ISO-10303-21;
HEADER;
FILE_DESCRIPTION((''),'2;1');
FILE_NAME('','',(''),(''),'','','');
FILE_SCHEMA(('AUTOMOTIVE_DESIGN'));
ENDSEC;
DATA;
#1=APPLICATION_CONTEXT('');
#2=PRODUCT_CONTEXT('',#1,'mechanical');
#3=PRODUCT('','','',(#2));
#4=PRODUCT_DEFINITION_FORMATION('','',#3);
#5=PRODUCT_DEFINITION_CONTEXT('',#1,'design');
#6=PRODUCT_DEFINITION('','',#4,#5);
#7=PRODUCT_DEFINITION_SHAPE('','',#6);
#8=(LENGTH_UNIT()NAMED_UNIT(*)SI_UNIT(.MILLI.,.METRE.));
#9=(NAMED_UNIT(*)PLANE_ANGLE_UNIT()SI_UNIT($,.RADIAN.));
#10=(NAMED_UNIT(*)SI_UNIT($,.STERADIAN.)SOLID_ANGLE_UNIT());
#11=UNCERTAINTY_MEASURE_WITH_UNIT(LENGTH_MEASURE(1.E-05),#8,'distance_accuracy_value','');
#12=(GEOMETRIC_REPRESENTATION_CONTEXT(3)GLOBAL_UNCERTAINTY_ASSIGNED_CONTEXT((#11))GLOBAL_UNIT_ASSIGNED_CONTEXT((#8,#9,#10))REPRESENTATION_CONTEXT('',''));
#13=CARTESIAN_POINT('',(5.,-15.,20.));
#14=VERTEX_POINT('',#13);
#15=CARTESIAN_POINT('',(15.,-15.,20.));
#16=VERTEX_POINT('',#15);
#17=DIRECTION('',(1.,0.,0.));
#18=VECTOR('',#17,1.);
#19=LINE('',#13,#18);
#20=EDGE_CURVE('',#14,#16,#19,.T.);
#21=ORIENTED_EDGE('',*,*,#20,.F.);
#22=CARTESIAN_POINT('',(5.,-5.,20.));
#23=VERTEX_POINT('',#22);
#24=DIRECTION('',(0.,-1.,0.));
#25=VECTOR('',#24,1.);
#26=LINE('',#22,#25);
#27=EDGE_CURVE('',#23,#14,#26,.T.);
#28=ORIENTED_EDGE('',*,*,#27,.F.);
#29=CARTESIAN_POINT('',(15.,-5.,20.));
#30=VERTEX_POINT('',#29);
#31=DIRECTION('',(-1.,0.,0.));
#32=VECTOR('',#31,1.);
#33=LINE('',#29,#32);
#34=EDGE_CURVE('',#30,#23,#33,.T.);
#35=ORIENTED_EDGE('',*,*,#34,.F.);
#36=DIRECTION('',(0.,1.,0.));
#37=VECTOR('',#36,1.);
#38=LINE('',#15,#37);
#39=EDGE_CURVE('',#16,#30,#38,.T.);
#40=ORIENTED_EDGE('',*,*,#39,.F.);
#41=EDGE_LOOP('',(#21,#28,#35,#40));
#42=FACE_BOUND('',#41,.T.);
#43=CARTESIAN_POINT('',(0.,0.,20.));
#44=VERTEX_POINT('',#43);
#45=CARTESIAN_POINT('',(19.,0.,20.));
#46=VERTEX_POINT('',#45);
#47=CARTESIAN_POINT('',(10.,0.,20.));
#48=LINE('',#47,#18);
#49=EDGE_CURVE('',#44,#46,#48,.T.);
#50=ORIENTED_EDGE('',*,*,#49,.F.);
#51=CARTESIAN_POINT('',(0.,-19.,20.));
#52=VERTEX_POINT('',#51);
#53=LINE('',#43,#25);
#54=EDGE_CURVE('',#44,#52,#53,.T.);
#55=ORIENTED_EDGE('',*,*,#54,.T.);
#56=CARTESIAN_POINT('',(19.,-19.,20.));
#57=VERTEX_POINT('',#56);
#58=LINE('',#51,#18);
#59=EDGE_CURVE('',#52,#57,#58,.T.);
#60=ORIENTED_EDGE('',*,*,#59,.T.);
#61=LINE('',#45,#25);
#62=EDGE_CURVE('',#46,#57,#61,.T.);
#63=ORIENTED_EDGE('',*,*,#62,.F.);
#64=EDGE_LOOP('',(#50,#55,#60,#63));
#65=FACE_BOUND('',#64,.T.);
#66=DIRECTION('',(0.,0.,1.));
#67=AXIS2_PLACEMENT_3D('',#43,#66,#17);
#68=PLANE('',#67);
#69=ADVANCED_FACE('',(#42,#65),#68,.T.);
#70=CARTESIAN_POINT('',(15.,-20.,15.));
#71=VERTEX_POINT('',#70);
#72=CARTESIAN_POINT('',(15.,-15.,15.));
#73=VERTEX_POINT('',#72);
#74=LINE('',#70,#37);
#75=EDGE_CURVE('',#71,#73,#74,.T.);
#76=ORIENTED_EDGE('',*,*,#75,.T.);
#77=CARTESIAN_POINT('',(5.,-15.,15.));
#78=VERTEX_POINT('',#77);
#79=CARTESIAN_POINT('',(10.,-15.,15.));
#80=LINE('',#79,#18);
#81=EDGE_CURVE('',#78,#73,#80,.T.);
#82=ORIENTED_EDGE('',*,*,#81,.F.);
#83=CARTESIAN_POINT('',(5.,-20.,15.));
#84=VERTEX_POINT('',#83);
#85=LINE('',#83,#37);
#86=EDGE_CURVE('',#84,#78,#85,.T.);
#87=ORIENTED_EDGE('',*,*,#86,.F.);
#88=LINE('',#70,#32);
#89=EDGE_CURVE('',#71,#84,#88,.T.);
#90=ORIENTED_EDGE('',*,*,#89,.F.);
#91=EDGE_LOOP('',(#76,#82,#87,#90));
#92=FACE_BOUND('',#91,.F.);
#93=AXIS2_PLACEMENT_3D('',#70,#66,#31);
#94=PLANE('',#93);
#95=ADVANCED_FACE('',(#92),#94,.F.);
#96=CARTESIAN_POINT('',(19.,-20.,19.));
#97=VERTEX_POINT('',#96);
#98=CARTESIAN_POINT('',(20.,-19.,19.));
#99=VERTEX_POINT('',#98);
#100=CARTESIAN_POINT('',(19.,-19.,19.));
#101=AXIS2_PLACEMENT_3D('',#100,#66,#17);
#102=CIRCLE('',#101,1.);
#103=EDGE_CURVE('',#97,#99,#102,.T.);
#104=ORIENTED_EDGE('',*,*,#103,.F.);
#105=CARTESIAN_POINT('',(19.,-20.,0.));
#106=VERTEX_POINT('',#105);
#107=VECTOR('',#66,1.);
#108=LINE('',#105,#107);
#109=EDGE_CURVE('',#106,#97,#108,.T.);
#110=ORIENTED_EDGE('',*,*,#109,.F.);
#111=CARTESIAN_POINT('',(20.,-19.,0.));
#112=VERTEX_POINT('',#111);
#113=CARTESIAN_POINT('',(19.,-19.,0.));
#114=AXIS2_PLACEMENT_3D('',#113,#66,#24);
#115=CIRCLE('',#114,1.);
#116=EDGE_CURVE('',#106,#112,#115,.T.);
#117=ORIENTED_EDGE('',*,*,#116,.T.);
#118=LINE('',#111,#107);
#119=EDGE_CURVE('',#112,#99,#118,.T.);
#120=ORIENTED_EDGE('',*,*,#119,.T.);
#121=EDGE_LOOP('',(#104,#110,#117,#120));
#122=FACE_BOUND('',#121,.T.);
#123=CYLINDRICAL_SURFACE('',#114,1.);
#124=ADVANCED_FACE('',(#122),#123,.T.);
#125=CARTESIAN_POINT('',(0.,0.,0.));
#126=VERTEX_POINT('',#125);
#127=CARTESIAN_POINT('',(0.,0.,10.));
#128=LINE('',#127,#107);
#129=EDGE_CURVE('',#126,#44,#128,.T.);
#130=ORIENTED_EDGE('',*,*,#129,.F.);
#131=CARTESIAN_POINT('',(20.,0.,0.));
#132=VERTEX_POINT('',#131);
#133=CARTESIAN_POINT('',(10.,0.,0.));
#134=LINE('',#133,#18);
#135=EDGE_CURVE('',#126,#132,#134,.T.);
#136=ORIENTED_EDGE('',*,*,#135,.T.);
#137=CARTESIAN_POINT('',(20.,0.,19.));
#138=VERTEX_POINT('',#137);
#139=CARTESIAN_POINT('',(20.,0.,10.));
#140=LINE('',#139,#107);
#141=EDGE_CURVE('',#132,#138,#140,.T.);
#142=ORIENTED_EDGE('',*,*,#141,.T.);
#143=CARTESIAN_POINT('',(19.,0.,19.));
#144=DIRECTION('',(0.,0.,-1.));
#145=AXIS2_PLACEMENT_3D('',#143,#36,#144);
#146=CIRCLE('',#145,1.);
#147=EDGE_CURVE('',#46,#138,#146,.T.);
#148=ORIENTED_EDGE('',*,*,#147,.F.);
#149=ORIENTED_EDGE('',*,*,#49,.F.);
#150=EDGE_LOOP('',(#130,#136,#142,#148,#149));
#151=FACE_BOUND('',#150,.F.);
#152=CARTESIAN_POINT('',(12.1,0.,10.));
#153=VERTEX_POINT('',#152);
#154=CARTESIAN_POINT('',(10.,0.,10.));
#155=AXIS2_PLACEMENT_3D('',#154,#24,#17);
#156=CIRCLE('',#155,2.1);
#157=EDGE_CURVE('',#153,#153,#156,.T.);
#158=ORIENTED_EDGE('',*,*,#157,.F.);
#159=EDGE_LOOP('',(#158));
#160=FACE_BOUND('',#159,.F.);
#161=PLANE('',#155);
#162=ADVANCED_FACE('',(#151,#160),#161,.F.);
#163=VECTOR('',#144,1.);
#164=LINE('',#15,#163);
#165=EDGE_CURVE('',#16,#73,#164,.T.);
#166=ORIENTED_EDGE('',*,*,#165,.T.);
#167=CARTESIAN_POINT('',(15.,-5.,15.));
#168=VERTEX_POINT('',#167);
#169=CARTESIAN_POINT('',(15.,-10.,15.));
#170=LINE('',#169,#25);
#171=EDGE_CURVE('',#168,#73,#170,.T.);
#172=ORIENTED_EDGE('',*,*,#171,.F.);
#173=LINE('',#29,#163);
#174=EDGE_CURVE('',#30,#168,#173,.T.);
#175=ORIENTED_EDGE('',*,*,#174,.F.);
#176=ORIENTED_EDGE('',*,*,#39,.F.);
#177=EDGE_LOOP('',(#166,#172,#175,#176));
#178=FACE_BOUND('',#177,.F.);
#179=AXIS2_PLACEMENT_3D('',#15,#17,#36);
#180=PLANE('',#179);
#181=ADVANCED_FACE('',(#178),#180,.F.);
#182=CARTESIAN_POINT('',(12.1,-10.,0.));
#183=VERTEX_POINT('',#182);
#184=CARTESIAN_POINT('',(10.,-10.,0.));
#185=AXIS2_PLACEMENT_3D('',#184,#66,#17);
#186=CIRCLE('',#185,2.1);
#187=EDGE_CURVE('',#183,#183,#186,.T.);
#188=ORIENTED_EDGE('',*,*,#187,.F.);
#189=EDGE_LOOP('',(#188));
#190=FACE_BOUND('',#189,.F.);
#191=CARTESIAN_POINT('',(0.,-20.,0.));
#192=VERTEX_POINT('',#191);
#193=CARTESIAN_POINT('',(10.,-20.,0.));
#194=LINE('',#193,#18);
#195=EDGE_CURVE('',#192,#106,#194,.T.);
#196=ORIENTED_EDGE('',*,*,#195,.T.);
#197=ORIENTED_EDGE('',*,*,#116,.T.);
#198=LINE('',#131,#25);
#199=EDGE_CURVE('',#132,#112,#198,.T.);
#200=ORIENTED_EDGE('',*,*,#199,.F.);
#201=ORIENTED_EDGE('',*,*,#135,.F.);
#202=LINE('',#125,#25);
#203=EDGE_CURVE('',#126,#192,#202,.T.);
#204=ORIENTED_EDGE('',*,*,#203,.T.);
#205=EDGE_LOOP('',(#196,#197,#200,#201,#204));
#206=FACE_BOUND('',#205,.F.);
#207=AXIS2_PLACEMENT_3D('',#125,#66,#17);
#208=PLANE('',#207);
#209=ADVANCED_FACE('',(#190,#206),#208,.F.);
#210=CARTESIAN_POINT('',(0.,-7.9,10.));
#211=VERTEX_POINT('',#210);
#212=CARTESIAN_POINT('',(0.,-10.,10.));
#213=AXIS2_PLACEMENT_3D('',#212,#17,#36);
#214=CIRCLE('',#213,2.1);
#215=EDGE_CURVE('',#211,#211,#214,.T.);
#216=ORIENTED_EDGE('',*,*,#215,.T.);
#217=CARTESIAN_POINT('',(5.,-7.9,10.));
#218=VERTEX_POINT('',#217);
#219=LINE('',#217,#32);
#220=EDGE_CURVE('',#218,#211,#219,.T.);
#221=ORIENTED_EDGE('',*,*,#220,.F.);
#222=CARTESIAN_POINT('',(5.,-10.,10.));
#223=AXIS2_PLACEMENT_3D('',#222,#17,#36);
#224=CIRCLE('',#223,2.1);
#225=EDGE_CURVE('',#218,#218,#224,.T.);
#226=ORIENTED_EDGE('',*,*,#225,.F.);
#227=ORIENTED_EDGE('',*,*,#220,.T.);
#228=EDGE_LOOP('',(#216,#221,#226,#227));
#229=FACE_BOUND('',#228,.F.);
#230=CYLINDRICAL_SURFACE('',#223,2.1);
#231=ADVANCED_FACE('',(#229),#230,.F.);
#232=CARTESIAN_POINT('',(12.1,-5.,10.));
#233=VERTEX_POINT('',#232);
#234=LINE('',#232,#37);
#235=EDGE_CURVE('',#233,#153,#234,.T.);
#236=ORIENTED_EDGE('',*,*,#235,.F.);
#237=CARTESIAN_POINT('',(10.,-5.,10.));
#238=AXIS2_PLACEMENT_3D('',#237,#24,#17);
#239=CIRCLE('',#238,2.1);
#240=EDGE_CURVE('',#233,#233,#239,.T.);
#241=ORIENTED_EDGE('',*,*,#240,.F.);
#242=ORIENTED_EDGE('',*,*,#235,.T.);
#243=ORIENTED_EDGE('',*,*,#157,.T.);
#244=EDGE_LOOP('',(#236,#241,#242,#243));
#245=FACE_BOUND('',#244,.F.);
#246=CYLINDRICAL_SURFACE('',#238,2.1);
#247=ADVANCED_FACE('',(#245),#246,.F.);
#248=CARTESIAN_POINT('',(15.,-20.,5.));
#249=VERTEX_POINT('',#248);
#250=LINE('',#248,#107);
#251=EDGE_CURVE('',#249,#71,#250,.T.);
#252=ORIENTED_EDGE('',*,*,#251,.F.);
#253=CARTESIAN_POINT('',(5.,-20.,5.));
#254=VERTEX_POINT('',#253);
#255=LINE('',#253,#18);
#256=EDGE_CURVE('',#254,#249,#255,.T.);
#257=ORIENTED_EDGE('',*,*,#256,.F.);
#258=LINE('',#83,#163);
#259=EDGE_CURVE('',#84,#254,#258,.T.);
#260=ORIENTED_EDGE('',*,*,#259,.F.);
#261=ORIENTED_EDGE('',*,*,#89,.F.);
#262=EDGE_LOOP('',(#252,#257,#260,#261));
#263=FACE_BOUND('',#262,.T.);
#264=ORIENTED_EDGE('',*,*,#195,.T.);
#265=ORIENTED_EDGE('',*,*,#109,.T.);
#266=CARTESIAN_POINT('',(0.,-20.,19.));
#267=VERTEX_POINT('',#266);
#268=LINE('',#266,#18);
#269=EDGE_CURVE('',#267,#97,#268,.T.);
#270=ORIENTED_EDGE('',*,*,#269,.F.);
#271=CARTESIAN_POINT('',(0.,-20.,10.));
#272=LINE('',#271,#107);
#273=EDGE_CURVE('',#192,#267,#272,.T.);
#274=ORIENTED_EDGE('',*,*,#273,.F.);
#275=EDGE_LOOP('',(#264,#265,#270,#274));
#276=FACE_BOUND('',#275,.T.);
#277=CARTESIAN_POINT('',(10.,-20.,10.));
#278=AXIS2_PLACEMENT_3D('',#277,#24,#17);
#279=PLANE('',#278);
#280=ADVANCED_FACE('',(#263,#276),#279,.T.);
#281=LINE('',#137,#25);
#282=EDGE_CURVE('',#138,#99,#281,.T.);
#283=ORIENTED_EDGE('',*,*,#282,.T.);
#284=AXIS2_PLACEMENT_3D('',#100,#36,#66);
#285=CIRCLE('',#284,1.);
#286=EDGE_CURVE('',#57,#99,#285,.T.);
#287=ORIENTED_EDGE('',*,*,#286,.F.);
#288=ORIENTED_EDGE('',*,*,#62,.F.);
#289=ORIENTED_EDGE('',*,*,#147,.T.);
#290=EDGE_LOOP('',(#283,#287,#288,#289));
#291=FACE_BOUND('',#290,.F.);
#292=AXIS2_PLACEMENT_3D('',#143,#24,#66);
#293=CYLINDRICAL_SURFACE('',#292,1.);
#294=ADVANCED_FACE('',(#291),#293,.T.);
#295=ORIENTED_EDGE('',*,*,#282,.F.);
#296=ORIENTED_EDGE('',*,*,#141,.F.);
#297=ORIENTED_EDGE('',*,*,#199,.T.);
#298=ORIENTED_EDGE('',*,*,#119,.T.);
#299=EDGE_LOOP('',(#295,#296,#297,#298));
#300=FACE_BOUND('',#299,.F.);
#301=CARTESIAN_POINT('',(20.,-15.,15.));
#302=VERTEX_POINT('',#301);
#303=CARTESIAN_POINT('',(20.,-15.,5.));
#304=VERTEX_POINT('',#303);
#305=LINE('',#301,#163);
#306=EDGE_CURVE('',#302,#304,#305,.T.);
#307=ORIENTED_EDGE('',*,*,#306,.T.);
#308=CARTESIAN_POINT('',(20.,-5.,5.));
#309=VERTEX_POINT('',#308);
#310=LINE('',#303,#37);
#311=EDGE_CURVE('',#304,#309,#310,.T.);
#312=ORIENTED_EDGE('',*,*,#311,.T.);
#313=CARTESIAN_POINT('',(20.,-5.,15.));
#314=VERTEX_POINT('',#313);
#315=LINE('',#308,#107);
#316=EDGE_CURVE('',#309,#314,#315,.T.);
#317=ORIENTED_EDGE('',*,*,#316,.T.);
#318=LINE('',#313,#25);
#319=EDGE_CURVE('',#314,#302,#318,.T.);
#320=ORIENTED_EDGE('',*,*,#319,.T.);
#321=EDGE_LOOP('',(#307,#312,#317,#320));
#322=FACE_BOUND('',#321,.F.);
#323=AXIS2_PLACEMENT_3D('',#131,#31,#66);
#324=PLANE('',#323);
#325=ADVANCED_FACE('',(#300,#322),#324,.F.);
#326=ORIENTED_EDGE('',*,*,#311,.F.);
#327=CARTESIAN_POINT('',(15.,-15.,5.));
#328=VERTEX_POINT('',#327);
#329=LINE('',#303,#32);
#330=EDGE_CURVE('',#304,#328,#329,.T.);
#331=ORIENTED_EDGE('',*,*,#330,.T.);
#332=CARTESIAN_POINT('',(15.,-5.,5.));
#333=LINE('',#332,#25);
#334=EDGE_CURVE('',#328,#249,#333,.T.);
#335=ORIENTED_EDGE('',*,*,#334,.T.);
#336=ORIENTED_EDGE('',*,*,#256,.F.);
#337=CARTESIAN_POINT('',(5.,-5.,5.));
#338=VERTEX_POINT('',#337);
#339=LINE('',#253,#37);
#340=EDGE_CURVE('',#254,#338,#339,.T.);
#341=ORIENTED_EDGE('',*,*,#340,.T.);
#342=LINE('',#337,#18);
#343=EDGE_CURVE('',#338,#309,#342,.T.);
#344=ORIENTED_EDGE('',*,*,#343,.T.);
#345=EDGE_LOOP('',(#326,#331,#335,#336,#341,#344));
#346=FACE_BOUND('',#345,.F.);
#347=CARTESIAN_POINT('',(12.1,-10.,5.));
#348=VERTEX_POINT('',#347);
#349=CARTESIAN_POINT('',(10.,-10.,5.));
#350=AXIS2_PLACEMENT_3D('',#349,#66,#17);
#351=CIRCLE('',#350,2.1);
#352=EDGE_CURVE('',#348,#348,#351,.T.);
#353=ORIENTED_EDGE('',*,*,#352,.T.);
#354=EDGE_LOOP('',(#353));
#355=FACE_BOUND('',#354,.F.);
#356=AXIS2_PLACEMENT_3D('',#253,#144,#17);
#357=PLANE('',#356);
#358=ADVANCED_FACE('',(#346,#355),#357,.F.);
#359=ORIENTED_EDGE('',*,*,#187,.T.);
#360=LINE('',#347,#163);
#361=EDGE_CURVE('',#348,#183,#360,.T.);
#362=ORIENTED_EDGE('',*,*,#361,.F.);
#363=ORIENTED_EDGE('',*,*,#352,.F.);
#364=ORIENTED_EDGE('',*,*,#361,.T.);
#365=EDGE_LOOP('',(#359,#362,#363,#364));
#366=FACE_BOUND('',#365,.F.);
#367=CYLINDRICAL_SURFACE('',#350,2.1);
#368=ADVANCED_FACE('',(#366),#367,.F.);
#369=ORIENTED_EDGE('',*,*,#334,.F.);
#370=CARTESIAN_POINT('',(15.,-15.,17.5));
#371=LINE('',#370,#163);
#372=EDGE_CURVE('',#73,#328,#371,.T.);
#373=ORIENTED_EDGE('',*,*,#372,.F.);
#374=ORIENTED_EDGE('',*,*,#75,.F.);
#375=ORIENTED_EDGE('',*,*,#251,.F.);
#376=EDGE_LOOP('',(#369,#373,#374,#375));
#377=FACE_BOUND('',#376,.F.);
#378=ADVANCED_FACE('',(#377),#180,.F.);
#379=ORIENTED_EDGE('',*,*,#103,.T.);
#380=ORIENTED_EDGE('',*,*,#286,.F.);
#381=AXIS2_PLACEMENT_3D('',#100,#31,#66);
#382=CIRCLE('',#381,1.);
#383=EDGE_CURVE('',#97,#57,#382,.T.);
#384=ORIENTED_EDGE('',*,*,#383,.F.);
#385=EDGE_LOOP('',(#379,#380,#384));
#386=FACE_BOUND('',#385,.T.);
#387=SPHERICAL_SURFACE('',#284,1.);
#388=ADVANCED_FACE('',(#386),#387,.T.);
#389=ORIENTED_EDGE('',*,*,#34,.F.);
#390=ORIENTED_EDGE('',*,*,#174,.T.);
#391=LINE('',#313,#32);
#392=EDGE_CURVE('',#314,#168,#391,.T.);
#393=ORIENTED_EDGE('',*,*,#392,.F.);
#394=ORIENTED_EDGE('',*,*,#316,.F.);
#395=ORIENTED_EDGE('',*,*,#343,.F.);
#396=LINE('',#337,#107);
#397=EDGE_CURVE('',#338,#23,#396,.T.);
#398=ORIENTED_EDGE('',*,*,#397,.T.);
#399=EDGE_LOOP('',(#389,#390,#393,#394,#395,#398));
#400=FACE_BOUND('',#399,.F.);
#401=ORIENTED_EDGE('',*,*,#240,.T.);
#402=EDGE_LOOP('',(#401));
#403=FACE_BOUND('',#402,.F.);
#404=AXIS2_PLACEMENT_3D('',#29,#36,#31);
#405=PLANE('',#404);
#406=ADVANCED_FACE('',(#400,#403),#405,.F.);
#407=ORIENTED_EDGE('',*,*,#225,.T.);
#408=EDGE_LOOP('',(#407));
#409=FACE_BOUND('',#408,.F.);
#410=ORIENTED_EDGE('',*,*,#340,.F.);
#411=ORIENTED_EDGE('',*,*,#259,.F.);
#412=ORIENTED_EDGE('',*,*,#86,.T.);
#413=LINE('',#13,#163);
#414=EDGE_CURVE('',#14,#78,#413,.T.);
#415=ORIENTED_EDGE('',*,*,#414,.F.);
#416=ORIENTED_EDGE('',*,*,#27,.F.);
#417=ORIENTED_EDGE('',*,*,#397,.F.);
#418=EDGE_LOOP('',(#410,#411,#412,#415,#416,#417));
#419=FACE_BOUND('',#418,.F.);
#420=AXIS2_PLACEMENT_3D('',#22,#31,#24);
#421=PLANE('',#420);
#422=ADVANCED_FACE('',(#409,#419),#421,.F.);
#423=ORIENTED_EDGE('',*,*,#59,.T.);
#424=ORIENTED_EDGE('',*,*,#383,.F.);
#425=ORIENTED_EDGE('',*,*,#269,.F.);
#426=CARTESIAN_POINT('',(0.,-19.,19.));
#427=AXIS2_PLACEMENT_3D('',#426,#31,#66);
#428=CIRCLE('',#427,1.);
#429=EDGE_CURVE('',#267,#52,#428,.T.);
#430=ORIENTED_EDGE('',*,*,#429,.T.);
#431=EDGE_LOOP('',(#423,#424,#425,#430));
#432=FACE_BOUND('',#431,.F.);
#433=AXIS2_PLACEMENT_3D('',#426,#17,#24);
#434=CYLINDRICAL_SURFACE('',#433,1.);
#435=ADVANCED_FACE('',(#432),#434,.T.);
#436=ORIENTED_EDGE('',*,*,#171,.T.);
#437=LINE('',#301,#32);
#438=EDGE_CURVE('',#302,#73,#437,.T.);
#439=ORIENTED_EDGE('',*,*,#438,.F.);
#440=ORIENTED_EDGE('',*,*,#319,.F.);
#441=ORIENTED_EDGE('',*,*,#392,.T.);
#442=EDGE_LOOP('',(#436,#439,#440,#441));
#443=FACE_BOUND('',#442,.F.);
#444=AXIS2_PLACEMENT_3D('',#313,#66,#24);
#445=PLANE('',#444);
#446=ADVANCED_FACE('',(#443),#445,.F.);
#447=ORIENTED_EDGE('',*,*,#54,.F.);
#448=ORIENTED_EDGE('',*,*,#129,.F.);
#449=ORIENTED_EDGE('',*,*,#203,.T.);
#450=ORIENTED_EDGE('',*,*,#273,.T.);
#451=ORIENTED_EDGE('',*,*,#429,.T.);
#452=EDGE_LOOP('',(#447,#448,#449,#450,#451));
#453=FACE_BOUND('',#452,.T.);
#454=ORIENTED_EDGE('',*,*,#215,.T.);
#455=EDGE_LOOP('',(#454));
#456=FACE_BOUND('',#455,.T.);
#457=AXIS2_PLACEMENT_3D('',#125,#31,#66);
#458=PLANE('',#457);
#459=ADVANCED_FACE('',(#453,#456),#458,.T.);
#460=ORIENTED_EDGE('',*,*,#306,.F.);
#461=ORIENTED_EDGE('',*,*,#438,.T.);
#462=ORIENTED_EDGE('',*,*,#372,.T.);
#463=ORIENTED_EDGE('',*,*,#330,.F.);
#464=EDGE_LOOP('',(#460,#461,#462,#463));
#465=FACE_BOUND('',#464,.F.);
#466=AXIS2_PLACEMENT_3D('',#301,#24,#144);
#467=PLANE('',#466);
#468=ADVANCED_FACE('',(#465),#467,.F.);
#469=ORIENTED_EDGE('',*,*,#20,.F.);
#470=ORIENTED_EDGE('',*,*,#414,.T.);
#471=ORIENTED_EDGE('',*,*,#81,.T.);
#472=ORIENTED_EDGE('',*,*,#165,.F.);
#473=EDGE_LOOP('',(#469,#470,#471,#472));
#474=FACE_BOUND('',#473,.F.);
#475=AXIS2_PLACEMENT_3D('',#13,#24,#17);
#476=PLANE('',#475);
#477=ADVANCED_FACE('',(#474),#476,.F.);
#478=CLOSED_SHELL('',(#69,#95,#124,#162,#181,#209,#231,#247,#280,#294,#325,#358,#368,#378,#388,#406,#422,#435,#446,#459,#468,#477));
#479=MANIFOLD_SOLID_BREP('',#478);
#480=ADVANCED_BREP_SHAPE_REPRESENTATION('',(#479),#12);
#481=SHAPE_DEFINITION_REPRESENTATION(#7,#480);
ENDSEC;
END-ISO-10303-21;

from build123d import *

# Parameters (mm, degrees)
F0_W      = 20
F0_H      = 20
F1_DEPTH  = 20
F2_W      = 5
F2_H      = 5
F3_DEPTH  = 15
F4_R      = 2.1
F5_DEPTH  = 25
F6_W      = 5
F6_H      = 5
F7_DEPTH  = 15
F8_R      = 2.1
F9_DEPTH  = 25
F10_W     = 5
F10_H     = 5
F11_DEPTH = 15
F12_R     = 2.1
F13_DEPTH = 25
F14_R     = 1


with BuildPart() as f1:
    # F0 (on Front) → F1 (new body)
    with BuildSketch(Plane.XZ):
        with Locations((10, 10)):
            Rectangle(F0_W, F0_H)
    extrude(amount=F1_DEPTH)

    # F2 (on face) → F3 (cut)
    with BuildSketch(Plane.XZ.offset(20)):
        with Locations((7.5, 12.5)):
            Rectangle(F2_W, F2_H)
        with Locations((12.5, 12.5)):
            Rectangle(F2_W, F2_H)
        with Locations((12.5, 7.5)):
            Rectangle(F2_W, F2_H)
        with Locations((7.5, 7.5)):
            Rectangle(F2_W, F2_H)
    extrude(amount=-F3_DEPTH, mode=Mode.SUBTRACT)

    # F4 (on face) → F5 (cut)
    with BuildSketch(Plane.XZ.offset(5)):
        with Locations((10, 10)):
            Circle(F4_R)
    extrude(amount=-F5_DEPTH, mode=Mode.SUBTRACT)

    # F6 (on face) → F7 (cut)
    with BuildSketch(Plane.XY.offset(20)):
        with Locations((7.5, -7.5)):
            Rectangle(F6_W, F6_H)
        with Locations((12.5, -7.5)):
            Rectangle(F6_W, F6_H)
        with Locations((12.5, -12.5)):
            Rectangle(F6_W, F6_H)
        with Locations((7.5, -12.5)):
            Rectangle(F6_W, F6_H)
    extrude(amount=-F7_DEPTH, mode=Mode.SUBTRACT)

    # F8 (on face) → F9 (cut)
    with BuildSketch(Plane.XY.offset(5)):
        with Locations((10, -10)):
            Circle(F8_R)
    extrude(amount=-F9_DEPTH, mode=Mode.SUBTRACT)

    # F10 (on face) → F11 (cut)
    with BuildSketch(Plane.YZ.offset(20)):
        with Locations((-12.5, 12.5)):
            Rectangle(F10_W, F10_H)
        with Locations((-7.5, 12.5)):
            Rectangle(F10_W, F10_H)
        with Locations((-7.5, 7.5)):
            Rectangle(F10_W, F10_H)
        with Locations((-12.5, 7.5)):
            Rectangle(F10_W, F10_H)
    extrude(amount=-F11_DEPTH, mode=Mode.SUBTRACT)

    # F12 (on face) → F13 (cut)
    with BuildSketch(Plane.YZ.offset(5)):
        with Locations((-10, 10)):
            Circle(F12_R)
    extrude(amount=-F13_DEPTH, mode=Mode.SUBTRACT)

    # F14
    f14_edges = [f1.edges().sort_by_distance(p)[0] for p in [
        (20, -10, 20),
        (10, -20, 20),
        (20, -20, 10),
    ]]
    fillet(f14_edges, radius=F14_R)


solid = f1.part
